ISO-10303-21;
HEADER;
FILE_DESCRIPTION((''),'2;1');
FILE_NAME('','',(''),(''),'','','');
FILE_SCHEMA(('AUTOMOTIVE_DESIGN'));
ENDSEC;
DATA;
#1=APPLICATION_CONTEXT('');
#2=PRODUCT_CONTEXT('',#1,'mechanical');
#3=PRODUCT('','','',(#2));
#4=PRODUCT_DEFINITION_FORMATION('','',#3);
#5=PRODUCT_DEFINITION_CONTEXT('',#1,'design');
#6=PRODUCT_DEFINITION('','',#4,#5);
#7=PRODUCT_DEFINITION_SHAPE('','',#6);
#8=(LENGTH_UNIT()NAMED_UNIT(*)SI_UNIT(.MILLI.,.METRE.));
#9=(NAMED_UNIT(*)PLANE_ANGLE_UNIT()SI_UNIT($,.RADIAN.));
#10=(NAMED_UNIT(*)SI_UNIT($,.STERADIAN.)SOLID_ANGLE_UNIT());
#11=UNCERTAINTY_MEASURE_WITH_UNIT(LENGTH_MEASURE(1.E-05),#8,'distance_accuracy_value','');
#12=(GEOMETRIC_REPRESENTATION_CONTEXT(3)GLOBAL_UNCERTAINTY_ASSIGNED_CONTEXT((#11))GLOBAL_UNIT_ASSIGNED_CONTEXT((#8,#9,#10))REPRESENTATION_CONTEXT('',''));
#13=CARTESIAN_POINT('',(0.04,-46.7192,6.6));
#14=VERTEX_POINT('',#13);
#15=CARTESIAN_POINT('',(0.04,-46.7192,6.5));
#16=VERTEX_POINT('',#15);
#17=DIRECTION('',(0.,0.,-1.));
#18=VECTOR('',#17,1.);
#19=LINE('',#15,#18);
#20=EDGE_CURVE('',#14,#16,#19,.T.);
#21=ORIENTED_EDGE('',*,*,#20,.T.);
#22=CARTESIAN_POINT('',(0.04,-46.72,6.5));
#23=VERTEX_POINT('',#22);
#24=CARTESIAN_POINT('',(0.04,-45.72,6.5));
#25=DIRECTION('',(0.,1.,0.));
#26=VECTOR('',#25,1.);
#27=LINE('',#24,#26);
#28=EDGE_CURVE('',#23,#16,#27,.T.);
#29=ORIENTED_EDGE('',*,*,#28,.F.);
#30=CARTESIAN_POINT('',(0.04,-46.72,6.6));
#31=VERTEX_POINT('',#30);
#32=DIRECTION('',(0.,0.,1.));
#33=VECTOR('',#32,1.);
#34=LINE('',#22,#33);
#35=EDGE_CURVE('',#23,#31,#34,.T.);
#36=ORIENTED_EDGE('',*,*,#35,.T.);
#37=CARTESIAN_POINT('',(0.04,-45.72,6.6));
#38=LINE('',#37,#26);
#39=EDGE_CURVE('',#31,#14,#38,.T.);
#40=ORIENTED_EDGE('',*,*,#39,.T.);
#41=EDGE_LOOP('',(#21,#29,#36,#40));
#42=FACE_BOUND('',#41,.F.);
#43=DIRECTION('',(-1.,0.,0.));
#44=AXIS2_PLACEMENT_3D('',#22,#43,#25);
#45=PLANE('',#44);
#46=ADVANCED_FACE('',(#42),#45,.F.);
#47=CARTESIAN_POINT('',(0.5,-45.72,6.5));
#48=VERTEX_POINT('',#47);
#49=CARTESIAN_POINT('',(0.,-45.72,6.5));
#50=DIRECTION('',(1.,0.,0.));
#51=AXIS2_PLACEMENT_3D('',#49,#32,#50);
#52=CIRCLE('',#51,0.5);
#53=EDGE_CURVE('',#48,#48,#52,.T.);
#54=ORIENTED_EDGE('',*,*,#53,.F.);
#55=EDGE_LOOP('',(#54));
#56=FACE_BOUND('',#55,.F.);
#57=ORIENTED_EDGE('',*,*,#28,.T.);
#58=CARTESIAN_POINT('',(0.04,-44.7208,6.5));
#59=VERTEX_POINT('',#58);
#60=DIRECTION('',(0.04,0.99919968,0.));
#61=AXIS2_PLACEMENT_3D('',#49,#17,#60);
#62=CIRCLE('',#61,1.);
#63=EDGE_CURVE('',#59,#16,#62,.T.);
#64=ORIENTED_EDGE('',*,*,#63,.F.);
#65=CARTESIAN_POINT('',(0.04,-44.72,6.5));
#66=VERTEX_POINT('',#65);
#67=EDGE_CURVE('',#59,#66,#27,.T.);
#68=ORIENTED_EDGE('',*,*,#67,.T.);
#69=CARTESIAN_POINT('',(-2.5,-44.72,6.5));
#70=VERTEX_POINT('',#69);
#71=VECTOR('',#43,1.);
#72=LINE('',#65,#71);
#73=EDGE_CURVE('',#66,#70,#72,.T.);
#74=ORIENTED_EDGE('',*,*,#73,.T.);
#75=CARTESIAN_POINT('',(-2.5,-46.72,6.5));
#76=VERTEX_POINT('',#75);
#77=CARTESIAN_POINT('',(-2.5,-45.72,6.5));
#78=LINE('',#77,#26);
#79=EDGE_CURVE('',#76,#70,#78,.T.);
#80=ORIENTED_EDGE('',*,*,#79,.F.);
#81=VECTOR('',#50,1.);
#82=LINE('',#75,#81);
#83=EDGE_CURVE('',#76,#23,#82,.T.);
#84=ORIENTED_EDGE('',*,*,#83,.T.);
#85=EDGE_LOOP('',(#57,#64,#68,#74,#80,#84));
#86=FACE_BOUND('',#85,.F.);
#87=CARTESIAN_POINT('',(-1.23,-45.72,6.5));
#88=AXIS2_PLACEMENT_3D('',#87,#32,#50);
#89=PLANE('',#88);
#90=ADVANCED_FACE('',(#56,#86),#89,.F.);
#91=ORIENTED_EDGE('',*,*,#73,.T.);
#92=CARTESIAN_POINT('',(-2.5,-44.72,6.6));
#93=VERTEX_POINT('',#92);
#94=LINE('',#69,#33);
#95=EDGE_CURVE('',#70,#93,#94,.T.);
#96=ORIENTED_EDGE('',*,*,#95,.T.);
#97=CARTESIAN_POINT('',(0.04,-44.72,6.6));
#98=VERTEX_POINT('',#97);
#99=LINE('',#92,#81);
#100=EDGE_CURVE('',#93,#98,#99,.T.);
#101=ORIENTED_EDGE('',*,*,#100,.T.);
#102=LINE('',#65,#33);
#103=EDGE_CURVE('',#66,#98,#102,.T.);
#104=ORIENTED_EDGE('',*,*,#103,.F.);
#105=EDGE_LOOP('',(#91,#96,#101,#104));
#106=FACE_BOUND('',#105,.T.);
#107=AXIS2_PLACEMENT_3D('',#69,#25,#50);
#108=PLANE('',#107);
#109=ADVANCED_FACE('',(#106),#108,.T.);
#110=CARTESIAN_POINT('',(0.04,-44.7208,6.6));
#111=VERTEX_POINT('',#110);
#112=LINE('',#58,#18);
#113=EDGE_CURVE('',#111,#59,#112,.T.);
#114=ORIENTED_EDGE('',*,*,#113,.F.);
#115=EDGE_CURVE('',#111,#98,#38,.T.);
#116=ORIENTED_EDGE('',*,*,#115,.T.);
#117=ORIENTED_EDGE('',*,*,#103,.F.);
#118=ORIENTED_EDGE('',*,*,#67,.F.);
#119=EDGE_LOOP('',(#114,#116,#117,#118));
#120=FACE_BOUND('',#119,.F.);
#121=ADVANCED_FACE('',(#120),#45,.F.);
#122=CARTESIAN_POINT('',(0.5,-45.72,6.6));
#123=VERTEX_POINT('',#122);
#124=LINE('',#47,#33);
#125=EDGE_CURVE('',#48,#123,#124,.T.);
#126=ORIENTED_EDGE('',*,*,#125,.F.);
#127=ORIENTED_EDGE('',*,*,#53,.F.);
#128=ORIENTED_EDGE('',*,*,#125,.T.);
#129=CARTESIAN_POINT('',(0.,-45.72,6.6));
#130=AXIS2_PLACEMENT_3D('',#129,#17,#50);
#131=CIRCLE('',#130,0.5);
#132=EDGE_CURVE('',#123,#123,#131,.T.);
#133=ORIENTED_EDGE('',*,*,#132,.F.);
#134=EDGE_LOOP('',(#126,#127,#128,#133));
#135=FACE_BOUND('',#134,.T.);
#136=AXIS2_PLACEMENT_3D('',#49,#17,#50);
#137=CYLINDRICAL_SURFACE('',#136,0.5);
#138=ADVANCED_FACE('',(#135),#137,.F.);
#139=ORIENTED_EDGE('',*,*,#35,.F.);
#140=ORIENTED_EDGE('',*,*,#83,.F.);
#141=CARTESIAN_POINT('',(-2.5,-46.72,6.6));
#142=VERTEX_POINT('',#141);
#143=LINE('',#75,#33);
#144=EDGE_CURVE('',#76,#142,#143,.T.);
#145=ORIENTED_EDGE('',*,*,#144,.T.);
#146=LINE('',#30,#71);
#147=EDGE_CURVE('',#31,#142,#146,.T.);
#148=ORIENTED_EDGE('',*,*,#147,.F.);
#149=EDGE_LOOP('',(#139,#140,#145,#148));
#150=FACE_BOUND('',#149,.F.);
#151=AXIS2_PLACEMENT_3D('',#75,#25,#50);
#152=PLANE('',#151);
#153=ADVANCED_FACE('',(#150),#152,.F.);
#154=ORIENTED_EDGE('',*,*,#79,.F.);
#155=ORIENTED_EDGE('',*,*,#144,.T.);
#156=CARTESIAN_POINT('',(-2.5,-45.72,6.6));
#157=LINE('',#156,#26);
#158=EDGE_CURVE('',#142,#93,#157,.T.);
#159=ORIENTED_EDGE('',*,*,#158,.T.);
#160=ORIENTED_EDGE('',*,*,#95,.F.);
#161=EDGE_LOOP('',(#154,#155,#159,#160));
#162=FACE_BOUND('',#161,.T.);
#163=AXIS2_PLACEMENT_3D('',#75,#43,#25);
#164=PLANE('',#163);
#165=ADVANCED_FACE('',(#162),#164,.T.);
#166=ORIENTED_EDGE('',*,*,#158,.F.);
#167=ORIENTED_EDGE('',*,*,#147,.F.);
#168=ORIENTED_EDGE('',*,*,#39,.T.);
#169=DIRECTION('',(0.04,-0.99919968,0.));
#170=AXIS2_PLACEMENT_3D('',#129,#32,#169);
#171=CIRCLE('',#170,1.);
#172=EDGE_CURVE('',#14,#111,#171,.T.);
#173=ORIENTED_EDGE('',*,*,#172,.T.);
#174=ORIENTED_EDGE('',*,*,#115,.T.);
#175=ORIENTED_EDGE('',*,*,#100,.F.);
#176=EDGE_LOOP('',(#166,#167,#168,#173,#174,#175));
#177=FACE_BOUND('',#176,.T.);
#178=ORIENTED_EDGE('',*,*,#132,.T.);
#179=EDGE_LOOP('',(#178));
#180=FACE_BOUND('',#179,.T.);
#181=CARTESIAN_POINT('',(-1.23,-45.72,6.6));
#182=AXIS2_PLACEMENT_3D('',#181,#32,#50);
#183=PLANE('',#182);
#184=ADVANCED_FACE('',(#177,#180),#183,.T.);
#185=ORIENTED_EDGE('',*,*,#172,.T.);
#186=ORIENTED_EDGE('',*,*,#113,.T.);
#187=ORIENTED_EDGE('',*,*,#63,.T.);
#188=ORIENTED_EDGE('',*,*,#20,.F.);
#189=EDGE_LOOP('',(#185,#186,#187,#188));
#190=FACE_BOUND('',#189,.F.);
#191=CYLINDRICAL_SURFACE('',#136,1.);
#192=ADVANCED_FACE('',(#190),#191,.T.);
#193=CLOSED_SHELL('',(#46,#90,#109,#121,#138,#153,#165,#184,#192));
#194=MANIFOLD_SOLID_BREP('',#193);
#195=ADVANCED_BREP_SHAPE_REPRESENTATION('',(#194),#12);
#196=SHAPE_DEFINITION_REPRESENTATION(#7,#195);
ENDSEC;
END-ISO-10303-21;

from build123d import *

# Parameters (mm, degrees)
CYLINDER056_R     = 0.5
CYLINDER056_DEPTH = 0.1
BOX021_W          = 2.54
BOX021_H          = 2
BOX021_DEPTH      = 0.1
CYLINDER055_R     = 0.5
CYLINDER055_DEPTH = 0.1
CYLINDER054_R     = 1
CYLINDER054_DEPTH = 0.1


with BuildPart() as cylinder056:
    # Cylinder056 → Cylinder056 (new body)
    with BuildSketch(Plane.XY.offset(1)):
        Circle(CYLINDER056_R)
    extrude(amount=CYLINDER056_DEPTH)


with BuildPart() as cut038:
    # Box021 → Box021 (new body)
    with BuildSketch(Plane(origin=(-2.5, -1, 1), x_dir=(1, 0, 0), z_dir=(0, 0, 1))):
        with Locations((1.27, 1)):
            Rectangle(BOX021_W, BOX021_H)
    extrude(amount=BOX021_DEPTH)

    # Cut038: cut Cylinder056
    add(cylinder056.part, mode=Mode.SUBTRACT)


with BuildPart() as cylinder055:
    # Cylinder055 → Cylinder055 (new body)
    with BuildSketch(Plane.XY.offset(1)):
        Circle(CYLINDER055_R)
    extrude(amount=CYLINDER055_DEPTH)


with BuildPart() as fusion018:
    # Cylinder054 → Cylinder054 (new body)
    with BuildSketch(Plane.XY.offset(1)):
        Circle(CYLINDER054_R)
    extrude(amount=CYLINDER054_DEPTH)

    # Cut037: cut Cylinder055
    add(cylinder055.part, mode=Mode.SUBTRACT)

    # Fusion018: union Cut038
    add(cut038.part)


with BuildPart() as fusion018_1:
    # Fusion018 placement: moved
    add(fusion018.part.moved(Location((0, -45.72, 5.5))))


solid = fusion018_1.part
